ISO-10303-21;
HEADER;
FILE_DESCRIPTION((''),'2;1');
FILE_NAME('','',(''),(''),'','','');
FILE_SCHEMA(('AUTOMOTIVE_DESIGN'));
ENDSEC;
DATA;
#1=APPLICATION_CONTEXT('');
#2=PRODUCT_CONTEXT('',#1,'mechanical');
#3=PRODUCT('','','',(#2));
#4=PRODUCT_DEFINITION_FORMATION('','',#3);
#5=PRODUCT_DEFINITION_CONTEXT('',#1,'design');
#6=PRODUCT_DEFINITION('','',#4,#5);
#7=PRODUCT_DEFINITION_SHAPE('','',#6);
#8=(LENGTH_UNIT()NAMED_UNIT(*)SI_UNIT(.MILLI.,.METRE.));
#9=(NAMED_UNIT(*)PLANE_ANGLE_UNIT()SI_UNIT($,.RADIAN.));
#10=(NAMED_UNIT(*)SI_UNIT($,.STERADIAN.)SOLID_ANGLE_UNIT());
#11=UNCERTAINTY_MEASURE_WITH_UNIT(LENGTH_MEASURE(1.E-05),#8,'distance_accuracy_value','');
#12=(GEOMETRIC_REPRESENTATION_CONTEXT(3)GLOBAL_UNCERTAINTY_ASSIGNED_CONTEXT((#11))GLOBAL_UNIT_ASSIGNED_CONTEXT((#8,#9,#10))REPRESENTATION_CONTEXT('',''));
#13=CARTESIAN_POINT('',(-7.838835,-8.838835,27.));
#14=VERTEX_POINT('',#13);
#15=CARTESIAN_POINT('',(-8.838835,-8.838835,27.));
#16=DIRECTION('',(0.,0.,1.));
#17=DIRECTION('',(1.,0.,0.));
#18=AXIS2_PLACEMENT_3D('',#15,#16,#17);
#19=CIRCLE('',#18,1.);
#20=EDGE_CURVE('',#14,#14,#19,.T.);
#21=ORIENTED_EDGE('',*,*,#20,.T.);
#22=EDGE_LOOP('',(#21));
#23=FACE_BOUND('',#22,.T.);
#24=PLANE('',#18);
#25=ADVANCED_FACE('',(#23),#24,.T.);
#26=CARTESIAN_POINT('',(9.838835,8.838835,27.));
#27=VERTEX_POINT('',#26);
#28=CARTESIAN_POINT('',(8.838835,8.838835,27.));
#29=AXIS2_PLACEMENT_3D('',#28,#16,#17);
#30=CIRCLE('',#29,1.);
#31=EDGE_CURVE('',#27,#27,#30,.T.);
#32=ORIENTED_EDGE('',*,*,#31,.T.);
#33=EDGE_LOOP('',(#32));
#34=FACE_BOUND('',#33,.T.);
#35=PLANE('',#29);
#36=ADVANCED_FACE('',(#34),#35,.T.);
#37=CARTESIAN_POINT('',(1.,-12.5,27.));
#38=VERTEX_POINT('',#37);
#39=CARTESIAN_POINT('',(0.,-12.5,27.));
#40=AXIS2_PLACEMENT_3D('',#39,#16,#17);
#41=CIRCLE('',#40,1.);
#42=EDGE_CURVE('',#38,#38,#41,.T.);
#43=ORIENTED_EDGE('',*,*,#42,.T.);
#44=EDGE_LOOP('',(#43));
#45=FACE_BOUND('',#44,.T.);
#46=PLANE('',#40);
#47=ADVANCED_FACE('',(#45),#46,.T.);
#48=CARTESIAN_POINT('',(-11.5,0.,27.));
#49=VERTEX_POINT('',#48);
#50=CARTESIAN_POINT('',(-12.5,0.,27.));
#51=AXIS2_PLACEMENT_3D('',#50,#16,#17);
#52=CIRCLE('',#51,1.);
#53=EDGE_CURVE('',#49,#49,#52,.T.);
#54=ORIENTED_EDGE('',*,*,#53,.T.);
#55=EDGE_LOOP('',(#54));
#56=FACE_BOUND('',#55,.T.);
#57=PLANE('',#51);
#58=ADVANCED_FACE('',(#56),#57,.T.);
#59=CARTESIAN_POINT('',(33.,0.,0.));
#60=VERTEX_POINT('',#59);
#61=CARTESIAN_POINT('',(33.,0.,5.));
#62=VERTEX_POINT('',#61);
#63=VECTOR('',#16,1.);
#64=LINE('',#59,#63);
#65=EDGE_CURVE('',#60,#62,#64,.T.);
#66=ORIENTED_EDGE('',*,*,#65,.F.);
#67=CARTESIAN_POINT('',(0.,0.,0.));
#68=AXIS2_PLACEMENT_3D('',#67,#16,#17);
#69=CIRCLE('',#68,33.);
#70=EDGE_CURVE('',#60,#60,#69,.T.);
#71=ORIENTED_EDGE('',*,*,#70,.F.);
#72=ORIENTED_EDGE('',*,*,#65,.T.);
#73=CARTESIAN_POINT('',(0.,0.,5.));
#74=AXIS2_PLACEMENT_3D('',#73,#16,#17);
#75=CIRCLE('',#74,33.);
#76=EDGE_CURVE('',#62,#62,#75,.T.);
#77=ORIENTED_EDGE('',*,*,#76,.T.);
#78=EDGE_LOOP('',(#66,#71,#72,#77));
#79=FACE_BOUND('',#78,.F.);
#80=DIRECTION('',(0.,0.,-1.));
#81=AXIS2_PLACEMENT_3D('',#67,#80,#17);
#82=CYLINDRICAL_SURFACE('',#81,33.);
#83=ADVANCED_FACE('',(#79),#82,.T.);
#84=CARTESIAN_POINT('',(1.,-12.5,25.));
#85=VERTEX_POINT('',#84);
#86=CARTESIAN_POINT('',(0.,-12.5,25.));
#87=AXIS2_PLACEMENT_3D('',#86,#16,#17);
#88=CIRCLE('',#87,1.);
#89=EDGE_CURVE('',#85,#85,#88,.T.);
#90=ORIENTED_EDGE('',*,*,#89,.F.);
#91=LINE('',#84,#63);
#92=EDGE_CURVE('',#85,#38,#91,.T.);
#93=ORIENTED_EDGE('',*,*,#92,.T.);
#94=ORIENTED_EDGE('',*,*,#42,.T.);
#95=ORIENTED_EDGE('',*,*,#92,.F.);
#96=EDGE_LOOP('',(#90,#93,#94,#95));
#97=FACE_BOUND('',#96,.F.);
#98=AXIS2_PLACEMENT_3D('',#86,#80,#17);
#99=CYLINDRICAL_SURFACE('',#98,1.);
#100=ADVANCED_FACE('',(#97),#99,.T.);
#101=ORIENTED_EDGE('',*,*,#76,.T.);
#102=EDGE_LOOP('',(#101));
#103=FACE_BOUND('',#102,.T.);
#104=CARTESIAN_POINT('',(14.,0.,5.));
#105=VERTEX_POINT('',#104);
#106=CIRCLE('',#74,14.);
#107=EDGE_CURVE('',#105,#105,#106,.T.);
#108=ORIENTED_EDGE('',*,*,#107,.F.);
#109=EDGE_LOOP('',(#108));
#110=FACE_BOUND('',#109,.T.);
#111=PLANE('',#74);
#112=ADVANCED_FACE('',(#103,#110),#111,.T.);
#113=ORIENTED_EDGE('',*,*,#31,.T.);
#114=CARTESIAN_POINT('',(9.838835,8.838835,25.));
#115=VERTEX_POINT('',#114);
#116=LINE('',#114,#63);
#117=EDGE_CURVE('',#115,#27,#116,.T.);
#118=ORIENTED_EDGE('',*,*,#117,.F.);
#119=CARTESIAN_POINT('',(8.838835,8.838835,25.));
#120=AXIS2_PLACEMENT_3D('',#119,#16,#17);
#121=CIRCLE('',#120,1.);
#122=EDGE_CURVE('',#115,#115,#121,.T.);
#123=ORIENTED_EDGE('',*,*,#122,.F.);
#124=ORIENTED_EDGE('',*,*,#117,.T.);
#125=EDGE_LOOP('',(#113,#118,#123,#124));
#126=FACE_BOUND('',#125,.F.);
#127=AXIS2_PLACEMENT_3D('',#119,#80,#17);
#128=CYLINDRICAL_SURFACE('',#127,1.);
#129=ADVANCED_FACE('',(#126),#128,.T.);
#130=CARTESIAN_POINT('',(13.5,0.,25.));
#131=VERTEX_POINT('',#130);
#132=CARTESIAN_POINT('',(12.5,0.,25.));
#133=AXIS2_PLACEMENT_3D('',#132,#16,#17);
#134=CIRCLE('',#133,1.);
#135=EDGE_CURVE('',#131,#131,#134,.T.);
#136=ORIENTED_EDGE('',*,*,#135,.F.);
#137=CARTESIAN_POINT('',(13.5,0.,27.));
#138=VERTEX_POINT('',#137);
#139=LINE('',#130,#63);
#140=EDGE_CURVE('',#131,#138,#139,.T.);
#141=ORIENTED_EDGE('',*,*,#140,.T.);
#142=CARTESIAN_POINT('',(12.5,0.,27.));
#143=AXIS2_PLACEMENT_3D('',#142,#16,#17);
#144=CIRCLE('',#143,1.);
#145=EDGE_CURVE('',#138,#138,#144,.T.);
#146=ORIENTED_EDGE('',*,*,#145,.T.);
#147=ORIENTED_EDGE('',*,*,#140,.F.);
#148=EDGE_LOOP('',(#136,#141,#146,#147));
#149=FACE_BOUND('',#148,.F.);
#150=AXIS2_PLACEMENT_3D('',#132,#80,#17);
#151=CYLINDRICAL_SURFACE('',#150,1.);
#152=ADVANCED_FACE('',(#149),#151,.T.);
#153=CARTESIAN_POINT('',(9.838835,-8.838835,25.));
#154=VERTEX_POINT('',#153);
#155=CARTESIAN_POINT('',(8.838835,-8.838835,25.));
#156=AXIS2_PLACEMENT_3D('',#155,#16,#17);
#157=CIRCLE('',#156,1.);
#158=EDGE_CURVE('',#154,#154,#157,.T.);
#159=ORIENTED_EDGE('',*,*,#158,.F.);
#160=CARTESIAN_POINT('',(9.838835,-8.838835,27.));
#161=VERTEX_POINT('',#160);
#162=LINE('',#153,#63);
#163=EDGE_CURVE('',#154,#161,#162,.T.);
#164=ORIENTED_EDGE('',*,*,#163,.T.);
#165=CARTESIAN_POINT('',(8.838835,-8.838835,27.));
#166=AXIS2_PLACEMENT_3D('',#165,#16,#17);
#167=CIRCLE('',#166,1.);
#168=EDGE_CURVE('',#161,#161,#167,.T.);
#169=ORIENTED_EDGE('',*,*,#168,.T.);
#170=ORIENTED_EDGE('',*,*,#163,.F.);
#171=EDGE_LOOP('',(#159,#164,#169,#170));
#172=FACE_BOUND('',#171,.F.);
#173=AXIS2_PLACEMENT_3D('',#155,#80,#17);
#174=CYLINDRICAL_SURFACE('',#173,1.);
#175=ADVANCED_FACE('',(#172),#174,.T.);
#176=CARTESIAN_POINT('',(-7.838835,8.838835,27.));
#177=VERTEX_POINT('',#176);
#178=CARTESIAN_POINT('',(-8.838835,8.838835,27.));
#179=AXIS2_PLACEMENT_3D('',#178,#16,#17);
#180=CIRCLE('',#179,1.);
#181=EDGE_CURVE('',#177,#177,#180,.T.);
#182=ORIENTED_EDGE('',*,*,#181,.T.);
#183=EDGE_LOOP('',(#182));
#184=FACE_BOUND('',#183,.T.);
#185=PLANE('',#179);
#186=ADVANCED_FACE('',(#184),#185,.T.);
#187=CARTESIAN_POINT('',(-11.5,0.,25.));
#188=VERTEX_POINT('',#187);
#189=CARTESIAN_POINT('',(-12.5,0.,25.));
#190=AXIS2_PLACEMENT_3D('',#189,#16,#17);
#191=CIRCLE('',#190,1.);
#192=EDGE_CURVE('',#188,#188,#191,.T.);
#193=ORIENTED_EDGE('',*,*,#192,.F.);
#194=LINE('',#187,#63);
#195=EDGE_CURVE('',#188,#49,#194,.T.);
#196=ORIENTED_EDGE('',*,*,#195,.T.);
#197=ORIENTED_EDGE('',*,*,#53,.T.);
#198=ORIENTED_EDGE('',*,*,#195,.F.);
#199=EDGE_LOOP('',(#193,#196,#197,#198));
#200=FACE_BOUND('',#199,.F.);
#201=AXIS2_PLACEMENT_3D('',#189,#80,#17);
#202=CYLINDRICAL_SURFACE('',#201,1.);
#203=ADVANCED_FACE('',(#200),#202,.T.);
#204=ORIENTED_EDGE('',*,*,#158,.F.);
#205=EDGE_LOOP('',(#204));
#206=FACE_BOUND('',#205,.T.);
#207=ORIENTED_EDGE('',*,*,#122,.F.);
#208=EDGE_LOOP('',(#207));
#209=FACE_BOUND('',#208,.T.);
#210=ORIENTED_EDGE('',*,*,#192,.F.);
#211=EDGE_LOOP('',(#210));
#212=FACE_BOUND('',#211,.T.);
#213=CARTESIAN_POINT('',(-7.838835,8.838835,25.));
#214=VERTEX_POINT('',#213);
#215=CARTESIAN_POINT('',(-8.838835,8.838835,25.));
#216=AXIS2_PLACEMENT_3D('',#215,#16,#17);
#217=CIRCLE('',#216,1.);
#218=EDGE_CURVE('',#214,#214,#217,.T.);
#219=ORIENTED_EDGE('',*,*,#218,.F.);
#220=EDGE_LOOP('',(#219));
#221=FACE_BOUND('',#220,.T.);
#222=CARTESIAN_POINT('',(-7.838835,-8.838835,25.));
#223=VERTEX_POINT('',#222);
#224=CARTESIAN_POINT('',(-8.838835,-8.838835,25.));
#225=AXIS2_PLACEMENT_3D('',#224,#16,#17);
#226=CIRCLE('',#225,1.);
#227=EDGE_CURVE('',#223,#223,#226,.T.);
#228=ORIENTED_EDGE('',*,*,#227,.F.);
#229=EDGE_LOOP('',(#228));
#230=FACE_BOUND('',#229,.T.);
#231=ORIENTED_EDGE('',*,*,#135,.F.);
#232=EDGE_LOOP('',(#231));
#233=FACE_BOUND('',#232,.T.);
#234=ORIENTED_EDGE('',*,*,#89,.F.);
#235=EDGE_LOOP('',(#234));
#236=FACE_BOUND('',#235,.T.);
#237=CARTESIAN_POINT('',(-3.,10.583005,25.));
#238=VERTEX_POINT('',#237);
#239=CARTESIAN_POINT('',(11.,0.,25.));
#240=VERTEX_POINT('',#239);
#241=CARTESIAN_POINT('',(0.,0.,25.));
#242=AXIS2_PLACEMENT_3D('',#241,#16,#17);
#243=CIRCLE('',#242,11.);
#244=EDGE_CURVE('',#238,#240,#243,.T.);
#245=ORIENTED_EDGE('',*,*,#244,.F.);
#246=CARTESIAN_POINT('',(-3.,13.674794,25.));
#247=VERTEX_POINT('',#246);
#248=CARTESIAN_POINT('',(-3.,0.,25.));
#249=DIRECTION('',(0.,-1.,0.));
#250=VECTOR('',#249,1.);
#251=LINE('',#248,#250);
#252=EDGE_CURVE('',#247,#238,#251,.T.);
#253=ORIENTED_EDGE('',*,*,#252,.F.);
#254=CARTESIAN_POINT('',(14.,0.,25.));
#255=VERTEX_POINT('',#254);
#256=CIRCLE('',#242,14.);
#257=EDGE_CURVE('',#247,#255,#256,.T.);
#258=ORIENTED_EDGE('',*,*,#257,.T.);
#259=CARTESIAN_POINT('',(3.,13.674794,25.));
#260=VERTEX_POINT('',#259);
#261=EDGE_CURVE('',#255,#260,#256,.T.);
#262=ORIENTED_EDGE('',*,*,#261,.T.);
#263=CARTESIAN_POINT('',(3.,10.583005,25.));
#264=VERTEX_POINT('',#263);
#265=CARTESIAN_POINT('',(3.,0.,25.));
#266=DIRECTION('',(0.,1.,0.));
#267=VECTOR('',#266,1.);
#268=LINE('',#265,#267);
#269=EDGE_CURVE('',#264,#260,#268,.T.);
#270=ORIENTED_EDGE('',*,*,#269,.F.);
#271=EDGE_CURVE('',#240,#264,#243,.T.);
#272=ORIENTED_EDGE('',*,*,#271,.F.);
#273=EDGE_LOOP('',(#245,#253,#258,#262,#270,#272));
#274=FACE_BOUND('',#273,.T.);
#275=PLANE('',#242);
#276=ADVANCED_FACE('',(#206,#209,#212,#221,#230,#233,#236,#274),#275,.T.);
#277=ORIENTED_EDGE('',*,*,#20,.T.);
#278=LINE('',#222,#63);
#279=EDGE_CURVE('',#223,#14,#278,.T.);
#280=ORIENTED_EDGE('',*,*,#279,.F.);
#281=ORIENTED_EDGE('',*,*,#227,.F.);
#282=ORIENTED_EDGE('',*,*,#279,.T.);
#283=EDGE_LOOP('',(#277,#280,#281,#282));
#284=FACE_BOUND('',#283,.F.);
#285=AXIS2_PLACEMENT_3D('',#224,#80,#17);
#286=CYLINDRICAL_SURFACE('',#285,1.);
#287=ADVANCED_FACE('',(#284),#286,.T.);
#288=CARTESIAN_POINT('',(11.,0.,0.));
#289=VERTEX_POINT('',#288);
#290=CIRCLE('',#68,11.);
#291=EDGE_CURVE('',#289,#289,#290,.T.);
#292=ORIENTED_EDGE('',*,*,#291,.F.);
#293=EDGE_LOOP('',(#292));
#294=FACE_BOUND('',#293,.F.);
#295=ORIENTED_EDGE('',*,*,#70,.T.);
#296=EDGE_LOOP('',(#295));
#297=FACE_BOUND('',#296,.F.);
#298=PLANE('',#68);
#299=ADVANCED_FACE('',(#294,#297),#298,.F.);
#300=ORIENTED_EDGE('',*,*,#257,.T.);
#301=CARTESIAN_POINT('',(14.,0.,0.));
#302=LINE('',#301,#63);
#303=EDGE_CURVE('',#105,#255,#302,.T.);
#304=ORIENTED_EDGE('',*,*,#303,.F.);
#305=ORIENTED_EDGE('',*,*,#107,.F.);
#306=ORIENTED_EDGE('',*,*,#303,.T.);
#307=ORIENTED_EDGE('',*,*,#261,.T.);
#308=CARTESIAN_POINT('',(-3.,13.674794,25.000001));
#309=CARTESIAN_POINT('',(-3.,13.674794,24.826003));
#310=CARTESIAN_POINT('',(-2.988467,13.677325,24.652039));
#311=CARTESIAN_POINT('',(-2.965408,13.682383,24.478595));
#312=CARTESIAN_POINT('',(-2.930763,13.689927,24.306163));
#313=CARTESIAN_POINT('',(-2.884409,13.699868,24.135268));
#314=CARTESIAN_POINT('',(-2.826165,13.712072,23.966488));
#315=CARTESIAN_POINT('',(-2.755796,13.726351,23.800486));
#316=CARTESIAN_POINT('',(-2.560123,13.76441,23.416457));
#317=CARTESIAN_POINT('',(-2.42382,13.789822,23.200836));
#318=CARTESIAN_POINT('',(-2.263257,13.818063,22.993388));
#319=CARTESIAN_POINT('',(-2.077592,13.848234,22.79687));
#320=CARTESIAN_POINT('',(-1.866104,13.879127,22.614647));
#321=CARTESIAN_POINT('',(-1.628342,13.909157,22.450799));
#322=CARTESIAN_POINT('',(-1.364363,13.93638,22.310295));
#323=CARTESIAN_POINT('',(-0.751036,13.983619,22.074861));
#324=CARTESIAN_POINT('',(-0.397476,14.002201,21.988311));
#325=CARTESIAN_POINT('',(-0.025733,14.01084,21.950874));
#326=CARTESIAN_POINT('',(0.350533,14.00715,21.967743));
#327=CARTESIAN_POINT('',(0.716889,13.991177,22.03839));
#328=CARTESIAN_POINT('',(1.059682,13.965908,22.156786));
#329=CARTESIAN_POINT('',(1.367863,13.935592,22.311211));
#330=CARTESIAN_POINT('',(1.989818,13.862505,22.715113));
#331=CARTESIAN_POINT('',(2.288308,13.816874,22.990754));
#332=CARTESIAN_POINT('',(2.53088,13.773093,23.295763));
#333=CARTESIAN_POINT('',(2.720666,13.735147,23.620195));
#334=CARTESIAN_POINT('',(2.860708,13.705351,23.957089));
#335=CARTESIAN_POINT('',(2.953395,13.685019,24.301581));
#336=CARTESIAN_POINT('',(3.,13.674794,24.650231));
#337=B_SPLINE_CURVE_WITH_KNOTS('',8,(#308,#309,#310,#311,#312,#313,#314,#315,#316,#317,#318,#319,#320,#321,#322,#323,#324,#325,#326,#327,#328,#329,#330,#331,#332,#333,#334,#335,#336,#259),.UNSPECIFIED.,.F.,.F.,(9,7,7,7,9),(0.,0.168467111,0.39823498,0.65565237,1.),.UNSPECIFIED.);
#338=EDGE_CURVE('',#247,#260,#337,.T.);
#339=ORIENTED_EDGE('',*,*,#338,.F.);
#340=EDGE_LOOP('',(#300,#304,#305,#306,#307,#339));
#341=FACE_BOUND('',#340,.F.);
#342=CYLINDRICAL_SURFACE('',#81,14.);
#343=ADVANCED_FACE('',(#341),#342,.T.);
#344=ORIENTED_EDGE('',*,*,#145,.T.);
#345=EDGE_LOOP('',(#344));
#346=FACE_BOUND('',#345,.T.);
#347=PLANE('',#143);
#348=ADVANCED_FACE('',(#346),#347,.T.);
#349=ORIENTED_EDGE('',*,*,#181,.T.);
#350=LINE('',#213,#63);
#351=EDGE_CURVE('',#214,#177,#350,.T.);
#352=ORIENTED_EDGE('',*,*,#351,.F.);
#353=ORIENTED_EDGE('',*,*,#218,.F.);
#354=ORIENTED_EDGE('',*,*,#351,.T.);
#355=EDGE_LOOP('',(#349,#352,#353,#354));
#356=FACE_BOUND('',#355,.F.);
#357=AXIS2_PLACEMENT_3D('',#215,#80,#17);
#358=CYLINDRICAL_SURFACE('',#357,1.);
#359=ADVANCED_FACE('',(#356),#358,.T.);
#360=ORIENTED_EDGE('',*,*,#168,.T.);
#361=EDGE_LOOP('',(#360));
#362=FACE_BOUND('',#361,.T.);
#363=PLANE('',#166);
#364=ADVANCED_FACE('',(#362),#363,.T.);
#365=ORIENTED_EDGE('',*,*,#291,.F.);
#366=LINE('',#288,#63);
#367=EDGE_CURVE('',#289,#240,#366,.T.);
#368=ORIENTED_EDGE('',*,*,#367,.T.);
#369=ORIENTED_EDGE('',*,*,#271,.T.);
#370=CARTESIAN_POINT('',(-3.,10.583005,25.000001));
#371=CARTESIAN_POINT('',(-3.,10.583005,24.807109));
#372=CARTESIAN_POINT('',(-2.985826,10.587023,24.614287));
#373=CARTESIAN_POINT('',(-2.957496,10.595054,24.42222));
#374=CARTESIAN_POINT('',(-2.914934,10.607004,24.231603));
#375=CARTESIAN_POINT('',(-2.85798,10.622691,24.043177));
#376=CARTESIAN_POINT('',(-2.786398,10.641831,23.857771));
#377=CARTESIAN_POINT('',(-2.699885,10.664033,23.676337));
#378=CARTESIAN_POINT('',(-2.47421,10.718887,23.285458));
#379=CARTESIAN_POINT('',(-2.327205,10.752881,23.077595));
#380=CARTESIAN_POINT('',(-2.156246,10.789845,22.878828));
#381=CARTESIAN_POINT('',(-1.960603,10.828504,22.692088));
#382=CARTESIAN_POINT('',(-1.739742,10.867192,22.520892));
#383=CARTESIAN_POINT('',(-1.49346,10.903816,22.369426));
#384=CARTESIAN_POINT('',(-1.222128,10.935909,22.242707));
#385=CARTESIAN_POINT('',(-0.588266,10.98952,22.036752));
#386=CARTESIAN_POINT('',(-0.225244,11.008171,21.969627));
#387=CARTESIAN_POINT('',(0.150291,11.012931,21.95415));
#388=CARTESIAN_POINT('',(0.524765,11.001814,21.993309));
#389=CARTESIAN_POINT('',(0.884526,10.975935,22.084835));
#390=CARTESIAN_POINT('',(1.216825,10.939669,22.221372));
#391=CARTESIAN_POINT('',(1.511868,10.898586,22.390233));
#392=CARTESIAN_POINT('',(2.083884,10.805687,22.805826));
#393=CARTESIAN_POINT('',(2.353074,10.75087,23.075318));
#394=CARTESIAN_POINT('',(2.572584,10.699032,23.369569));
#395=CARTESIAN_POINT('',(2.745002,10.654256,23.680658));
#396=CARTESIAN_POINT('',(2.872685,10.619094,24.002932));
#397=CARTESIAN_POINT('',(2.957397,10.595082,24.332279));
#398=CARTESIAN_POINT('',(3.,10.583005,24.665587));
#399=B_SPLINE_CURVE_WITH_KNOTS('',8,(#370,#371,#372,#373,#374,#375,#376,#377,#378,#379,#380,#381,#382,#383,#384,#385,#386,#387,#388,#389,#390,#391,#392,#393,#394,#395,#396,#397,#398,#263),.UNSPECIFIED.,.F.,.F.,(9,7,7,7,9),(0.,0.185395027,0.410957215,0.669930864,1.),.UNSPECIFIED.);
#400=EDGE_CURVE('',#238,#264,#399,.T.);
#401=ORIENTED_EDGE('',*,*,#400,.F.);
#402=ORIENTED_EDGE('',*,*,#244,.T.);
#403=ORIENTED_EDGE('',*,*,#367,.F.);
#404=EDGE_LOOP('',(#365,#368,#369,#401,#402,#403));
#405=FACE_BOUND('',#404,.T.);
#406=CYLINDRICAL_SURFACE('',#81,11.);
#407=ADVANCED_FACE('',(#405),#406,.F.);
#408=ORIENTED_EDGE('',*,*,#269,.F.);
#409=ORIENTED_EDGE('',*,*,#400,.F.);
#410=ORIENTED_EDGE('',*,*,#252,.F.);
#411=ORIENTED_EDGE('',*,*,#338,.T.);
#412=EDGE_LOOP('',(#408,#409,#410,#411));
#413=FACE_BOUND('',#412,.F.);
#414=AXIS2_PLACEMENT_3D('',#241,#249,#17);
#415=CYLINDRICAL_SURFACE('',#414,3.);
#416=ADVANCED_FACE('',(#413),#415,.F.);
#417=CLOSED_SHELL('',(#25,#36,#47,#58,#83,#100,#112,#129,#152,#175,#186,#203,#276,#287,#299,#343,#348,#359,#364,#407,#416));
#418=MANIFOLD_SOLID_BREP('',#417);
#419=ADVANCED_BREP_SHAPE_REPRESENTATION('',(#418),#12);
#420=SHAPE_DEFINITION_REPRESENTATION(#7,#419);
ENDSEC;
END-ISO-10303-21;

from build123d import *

# Parameters (mm, degrees)
F0_R     = 14
F0_R_2   = 11
F1_DEPTH = 25
F0_R_3   = 33
F2_DEPTH = 5
F3_R     = 3
F4_DEPTH = 25
F6_R     = 1
F7_DEPTH = 2


with BuildPart() as f1:
    # F0 (on Top) → F1 (new body)
    with BuildSketch(Plane.XY):
        Circle(F0_R)
        Circle(F0_R_2, mode=Mode.SUBTRACT)
    extrude(amount=F1_DEPTH)

    # F0 (on Top) → F2 (join)
    with BuildSketch(Plane.XY):
        Circle(F0_R_3)
        Circle(F0_R, mode=Mode.SUBTRACT)
    extrude(amount=F2_DEPTH)

    # F3 (on Front) → F4 (cut)
    with BuildSketch(Plane.XZ):
        with Locations((0, 25)):
            Circle(F3_R)
    extrude(amount=-F4_DEPTH, mode=Mode.SUBTRACT)

    # F6 (on offset) → F7 (join)
    with BuildSketch(Plane.XY.offset(25)):
        with Locations((-8.8388347648, 8.8388347648)):
            Circle(F6_R)
        with Locations((8.8388347648, 8.8388347648)):
            Circle(F6_R)
        with Locations((12.5, 0)):
            Circle(F6_R)
        with Locations((8.8388347648, -8.8388347648)):
            Circle(F6_R)
        with Locations((0, -12.5)):
            Circle(F6_R)
        with Locations((-8.8388347648, -8.8388347648)):
            Circle(F6_R)
        with Locations((-12.5, 0)):
            Circle(F6_R)
    extrude(amount=F7_DEPTH)


solid = f1.part
